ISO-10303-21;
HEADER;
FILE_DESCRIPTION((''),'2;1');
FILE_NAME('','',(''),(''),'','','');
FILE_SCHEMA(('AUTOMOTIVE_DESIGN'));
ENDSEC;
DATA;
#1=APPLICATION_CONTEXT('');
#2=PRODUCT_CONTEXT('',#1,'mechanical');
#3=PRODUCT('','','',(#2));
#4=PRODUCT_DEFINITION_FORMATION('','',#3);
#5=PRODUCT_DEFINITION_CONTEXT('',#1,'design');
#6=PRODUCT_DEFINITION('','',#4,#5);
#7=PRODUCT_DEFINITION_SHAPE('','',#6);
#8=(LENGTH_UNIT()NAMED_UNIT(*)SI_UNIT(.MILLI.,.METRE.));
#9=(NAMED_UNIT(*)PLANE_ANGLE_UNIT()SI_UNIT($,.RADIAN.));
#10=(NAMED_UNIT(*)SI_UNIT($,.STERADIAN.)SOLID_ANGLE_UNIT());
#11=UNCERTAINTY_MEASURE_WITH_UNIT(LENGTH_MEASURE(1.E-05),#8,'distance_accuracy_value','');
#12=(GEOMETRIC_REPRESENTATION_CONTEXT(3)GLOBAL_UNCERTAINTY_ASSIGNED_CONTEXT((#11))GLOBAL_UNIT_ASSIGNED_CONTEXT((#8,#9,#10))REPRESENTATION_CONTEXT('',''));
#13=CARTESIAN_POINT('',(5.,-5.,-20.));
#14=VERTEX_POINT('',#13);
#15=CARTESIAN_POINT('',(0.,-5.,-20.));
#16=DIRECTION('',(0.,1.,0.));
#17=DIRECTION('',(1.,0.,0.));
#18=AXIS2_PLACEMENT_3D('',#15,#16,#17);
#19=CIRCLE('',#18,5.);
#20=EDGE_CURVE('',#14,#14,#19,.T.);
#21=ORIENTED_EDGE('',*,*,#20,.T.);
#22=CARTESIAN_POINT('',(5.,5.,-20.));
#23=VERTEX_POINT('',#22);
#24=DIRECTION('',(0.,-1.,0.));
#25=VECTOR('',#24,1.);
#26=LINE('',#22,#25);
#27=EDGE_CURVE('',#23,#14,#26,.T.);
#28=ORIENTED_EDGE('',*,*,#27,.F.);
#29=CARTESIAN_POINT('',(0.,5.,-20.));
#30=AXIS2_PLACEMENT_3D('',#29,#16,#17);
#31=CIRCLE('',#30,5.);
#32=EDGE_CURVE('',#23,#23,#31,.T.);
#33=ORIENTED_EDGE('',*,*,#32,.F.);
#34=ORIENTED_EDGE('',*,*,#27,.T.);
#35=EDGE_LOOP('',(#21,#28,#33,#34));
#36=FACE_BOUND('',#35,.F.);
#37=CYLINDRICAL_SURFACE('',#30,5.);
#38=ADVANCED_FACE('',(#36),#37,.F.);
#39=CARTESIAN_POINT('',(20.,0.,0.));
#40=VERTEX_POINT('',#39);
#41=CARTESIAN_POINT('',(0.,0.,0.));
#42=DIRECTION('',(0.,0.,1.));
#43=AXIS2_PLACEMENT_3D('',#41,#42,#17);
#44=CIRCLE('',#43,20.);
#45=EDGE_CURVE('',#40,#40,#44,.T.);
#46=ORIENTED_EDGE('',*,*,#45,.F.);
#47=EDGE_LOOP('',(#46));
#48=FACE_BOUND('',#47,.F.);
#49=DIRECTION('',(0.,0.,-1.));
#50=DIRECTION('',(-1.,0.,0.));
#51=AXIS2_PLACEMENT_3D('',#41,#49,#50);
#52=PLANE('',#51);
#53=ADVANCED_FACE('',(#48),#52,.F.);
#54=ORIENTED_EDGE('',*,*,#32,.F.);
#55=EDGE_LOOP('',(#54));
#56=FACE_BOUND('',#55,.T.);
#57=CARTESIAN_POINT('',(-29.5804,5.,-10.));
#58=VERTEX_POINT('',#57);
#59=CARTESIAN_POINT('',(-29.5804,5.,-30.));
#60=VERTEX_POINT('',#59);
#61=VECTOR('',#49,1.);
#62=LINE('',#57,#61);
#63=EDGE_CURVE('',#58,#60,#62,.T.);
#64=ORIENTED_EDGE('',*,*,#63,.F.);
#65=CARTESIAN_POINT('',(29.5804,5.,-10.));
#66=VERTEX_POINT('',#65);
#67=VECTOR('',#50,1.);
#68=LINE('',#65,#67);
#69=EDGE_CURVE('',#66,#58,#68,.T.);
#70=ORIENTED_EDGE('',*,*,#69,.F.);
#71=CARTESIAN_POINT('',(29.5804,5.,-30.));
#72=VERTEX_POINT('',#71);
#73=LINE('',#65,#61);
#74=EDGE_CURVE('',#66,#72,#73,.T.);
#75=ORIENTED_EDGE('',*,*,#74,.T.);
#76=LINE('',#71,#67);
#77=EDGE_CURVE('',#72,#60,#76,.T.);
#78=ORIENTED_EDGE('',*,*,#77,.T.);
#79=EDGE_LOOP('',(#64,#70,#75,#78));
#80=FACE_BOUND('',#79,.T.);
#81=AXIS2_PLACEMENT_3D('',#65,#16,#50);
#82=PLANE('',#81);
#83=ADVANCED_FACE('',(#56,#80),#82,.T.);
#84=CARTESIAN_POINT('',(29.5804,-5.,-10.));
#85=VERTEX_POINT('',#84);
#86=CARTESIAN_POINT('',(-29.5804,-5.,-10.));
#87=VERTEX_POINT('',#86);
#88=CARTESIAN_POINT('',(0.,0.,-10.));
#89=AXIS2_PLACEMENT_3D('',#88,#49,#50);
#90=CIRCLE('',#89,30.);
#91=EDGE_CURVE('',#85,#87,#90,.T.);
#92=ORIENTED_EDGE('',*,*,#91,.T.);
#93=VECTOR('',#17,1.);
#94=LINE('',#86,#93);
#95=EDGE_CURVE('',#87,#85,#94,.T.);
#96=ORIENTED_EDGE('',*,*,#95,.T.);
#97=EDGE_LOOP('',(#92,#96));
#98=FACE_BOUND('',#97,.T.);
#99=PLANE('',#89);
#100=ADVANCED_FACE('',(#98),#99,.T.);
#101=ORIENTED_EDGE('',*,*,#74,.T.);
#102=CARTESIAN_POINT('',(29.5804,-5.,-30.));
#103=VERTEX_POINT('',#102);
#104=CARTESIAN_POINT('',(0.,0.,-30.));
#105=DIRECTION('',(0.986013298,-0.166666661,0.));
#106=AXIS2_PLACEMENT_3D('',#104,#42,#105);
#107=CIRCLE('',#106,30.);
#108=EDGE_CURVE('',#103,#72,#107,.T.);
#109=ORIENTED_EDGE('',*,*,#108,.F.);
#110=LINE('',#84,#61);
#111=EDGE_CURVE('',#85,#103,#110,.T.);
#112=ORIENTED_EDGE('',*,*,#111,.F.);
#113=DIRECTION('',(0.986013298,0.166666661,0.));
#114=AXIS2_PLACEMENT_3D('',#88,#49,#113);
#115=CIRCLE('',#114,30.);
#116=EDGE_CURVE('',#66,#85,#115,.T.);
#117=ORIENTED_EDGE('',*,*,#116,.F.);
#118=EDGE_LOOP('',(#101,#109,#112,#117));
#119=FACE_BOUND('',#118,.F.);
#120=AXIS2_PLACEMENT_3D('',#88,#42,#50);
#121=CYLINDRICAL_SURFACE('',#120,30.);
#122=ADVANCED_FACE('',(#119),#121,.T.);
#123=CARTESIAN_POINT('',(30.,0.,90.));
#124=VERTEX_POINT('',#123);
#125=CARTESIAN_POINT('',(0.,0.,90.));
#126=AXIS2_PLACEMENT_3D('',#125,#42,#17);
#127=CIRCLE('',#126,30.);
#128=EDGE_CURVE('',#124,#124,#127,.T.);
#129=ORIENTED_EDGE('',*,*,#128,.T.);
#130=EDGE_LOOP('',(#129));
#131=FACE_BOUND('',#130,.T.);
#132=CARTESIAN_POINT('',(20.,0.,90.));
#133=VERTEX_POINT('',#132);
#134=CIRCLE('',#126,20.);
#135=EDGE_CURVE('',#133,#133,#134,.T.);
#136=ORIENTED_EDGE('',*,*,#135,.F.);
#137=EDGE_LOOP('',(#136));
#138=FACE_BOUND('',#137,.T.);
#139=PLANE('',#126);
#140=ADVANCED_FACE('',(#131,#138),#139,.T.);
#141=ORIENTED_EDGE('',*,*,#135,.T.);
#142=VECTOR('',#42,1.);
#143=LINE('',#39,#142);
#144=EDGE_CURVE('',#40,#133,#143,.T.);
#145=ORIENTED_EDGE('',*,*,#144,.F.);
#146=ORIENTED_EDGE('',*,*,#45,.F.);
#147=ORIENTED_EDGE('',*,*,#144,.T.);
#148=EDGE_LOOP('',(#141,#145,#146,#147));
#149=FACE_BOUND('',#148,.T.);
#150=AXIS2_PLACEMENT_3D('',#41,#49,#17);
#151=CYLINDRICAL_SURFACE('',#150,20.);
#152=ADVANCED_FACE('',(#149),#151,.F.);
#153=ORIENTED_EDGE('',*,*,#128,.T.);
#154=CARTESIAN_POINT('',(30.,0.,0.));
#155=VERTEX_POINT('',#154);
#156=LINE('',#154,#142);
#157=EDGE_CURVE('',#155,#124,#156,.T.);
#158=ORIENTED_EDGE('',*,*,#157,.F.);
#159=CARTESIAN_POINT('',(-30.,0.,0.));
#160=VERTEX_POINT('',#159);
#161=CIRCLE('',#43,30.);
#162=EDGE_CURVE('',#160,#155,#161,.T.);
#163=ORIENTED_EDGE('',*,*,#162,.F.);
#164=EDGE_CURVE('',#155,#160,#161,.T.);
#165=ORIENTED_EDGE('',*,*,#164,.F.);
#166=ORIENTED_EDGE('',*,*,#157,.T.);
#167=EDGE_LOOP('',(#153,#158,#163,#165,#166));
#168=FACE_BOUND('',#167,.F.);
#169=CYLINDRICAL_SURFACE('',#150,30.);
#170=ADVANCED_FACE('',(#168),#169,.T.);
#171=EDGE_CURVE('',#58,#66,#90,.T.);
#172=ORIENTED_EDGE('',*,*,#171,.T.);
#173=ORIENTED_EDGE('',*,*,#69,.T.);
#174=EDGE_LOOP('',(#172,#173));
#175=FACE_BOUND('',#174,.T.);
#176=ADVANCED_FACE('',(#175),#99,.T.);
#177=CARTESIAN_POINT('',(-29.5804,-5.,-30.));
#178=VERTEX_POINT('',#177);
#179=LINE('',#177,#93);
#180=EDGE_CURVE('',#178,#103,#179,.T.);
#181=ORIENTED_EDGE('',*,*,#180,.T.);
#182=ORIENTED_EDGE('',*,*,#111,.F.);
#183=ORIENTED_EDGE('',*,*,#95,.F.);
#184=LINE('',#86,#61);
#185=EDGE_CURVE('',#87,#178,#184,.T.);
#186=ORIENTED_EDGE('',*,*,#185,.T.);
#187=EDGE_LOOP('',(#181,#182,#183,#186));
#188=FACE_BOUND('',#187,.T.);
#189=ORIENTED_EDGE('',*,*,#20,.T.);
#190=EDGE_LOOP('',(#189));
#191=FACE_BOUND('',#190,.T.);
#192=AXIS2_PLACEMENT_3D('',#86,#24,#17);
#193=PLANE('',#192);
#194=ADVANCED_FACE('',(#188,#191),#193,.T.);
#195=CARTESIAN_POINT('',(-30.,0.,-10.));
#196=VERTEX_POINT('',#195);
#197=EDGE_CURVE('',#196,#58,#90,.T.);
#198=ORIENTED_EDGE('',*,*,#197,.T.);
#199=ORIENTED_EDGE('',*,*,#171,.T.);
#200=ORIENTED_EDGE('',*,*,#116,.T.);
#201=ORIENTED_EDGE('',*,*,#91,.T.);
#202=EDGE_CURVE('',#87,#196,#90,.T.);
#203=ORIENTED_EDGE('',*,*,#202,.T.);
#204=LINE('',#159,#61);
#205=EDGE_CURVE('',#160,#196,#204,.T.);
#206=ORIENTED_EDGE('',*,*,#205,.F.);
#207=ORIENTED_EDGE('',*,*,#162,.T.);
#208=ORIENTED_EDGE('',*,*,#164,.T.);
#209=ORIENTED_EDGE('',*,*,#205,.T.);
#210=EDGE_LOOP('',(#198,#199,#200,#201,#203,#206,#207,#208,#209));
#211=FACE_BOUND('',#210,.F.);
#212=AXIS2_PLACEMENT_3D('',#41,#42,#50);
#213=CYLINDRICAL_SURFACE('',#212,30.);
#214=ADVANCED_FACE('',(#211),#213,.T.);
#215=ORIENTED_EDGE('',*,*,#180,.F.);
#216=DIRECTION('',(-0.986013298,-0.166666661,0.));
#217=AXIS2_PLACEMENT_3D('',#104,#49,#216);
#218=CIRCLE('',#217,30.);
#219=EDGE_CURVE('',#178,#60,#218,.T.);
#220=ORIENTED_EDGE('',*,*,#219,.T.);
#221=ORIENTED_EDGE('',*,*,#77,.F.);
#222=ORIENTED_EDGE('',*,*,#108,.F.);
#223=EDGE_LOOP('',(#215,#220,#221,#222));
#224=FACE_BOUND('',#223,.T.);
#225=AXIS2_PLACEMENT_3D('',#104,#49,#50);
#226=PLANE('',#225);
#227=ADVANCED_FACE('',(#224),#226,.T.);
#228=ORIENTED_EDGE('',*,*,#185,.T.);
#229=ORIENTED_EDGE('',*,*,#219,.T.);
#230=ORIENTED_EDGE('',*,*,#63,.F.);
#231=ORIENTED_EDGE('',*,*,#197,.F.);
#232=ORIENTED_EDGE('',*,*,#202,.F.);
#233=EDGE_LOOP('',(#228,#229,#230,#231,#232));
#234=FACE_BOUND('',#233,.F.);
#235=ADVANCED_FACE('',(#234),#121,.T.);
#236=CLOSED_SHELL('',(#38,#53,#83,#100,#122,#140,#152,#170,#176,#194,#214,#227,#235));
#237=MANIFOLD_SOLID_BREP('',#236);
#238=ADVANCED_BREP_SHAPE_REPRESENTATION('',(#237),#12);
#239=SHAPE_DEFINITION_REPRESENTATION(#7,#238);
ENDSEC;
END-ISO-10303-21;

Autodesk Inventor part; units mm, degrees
ref_plane "YZ Plane" through (0, 0, 0) normal (1, 0, 0) x (0, 1, 0)
ref_plane "XZ Plane" through (0, 0, 0) normal (0, 1, 0) x (-1, 0, 0)
ref_plane "XY Plane" through (0, 0, 0) normal (0, 0, 1) x (1, 0, 0)
sketch "Эскиз1" plane through (0, 0, 0) normal (0, 0, 1) x (1, 0, 0)
  circle A0 centre (0, 0) radius 20
  circle A1 centre (0, 0) radius 30
  dimension "d0" = 40
  dimension "d1" = 10
extrude "Выдавливание1" add sketch "Эскиз1" along normal blind 90
sketch "Эскиз2" plane through (0, 0, 0) normal (0, 0, -1) x (-1, 0, 0)
  circle A0 centre (0, 0) radius 30 projected
extrude "Выдавливание2" add sketch "Эскиз2" along normal blind 10
sketch "Эскиз3" plane through (0, 0, -10) normal (0, 0, -1) x (-1, 0, 0)
  circle A0 centre (0, 0) radius 30 projected
  line L0 (-29.5804, 5) -> (29.5804, 5)
  line L1 (29.5804, -5) -> (-29.5804, -5)
  line L2 (42, 0) -> (-42, 0) projected
  dimension "d7" = 10
extrude "Выдавливание3" add sketch "Эскиз3" along normal blind 20 contours L2 A0 L0 | A0 L1 L2
sketch "Эскиз4" plane through (-29.5804, 5, -10) normal (0, 1, 0) x (1, 0, 0)
  line L0 (59.1608, 0) -> (0, 0) projected
  line L1 (59.1608, 0) -> (59.1608, 20) projected
  line L2 (0, 20) -> (59.1608, 20) projected
  line L3 (0, 0) -> (0, 20) projected
  line L4 (59.1608, 0) -> (59.1608, 20) projected
  line L5 (0, 0) -> (59.1608, 0) projected
  line L6 (0, 0) -> (0, 20) projected
  line L7 (0, 20) -> (59.1608, 20) projected
  circle A0 centre (29.5804, 10) radius 5
  point P0 (29.5804, -10)
  dimension "d11" = 10
extrude "Выдавливание4" cut sketch "Эскиз4" along normal through all both and the other way through all contours A0
properties part number "стакан_v2" material "Сталь"
